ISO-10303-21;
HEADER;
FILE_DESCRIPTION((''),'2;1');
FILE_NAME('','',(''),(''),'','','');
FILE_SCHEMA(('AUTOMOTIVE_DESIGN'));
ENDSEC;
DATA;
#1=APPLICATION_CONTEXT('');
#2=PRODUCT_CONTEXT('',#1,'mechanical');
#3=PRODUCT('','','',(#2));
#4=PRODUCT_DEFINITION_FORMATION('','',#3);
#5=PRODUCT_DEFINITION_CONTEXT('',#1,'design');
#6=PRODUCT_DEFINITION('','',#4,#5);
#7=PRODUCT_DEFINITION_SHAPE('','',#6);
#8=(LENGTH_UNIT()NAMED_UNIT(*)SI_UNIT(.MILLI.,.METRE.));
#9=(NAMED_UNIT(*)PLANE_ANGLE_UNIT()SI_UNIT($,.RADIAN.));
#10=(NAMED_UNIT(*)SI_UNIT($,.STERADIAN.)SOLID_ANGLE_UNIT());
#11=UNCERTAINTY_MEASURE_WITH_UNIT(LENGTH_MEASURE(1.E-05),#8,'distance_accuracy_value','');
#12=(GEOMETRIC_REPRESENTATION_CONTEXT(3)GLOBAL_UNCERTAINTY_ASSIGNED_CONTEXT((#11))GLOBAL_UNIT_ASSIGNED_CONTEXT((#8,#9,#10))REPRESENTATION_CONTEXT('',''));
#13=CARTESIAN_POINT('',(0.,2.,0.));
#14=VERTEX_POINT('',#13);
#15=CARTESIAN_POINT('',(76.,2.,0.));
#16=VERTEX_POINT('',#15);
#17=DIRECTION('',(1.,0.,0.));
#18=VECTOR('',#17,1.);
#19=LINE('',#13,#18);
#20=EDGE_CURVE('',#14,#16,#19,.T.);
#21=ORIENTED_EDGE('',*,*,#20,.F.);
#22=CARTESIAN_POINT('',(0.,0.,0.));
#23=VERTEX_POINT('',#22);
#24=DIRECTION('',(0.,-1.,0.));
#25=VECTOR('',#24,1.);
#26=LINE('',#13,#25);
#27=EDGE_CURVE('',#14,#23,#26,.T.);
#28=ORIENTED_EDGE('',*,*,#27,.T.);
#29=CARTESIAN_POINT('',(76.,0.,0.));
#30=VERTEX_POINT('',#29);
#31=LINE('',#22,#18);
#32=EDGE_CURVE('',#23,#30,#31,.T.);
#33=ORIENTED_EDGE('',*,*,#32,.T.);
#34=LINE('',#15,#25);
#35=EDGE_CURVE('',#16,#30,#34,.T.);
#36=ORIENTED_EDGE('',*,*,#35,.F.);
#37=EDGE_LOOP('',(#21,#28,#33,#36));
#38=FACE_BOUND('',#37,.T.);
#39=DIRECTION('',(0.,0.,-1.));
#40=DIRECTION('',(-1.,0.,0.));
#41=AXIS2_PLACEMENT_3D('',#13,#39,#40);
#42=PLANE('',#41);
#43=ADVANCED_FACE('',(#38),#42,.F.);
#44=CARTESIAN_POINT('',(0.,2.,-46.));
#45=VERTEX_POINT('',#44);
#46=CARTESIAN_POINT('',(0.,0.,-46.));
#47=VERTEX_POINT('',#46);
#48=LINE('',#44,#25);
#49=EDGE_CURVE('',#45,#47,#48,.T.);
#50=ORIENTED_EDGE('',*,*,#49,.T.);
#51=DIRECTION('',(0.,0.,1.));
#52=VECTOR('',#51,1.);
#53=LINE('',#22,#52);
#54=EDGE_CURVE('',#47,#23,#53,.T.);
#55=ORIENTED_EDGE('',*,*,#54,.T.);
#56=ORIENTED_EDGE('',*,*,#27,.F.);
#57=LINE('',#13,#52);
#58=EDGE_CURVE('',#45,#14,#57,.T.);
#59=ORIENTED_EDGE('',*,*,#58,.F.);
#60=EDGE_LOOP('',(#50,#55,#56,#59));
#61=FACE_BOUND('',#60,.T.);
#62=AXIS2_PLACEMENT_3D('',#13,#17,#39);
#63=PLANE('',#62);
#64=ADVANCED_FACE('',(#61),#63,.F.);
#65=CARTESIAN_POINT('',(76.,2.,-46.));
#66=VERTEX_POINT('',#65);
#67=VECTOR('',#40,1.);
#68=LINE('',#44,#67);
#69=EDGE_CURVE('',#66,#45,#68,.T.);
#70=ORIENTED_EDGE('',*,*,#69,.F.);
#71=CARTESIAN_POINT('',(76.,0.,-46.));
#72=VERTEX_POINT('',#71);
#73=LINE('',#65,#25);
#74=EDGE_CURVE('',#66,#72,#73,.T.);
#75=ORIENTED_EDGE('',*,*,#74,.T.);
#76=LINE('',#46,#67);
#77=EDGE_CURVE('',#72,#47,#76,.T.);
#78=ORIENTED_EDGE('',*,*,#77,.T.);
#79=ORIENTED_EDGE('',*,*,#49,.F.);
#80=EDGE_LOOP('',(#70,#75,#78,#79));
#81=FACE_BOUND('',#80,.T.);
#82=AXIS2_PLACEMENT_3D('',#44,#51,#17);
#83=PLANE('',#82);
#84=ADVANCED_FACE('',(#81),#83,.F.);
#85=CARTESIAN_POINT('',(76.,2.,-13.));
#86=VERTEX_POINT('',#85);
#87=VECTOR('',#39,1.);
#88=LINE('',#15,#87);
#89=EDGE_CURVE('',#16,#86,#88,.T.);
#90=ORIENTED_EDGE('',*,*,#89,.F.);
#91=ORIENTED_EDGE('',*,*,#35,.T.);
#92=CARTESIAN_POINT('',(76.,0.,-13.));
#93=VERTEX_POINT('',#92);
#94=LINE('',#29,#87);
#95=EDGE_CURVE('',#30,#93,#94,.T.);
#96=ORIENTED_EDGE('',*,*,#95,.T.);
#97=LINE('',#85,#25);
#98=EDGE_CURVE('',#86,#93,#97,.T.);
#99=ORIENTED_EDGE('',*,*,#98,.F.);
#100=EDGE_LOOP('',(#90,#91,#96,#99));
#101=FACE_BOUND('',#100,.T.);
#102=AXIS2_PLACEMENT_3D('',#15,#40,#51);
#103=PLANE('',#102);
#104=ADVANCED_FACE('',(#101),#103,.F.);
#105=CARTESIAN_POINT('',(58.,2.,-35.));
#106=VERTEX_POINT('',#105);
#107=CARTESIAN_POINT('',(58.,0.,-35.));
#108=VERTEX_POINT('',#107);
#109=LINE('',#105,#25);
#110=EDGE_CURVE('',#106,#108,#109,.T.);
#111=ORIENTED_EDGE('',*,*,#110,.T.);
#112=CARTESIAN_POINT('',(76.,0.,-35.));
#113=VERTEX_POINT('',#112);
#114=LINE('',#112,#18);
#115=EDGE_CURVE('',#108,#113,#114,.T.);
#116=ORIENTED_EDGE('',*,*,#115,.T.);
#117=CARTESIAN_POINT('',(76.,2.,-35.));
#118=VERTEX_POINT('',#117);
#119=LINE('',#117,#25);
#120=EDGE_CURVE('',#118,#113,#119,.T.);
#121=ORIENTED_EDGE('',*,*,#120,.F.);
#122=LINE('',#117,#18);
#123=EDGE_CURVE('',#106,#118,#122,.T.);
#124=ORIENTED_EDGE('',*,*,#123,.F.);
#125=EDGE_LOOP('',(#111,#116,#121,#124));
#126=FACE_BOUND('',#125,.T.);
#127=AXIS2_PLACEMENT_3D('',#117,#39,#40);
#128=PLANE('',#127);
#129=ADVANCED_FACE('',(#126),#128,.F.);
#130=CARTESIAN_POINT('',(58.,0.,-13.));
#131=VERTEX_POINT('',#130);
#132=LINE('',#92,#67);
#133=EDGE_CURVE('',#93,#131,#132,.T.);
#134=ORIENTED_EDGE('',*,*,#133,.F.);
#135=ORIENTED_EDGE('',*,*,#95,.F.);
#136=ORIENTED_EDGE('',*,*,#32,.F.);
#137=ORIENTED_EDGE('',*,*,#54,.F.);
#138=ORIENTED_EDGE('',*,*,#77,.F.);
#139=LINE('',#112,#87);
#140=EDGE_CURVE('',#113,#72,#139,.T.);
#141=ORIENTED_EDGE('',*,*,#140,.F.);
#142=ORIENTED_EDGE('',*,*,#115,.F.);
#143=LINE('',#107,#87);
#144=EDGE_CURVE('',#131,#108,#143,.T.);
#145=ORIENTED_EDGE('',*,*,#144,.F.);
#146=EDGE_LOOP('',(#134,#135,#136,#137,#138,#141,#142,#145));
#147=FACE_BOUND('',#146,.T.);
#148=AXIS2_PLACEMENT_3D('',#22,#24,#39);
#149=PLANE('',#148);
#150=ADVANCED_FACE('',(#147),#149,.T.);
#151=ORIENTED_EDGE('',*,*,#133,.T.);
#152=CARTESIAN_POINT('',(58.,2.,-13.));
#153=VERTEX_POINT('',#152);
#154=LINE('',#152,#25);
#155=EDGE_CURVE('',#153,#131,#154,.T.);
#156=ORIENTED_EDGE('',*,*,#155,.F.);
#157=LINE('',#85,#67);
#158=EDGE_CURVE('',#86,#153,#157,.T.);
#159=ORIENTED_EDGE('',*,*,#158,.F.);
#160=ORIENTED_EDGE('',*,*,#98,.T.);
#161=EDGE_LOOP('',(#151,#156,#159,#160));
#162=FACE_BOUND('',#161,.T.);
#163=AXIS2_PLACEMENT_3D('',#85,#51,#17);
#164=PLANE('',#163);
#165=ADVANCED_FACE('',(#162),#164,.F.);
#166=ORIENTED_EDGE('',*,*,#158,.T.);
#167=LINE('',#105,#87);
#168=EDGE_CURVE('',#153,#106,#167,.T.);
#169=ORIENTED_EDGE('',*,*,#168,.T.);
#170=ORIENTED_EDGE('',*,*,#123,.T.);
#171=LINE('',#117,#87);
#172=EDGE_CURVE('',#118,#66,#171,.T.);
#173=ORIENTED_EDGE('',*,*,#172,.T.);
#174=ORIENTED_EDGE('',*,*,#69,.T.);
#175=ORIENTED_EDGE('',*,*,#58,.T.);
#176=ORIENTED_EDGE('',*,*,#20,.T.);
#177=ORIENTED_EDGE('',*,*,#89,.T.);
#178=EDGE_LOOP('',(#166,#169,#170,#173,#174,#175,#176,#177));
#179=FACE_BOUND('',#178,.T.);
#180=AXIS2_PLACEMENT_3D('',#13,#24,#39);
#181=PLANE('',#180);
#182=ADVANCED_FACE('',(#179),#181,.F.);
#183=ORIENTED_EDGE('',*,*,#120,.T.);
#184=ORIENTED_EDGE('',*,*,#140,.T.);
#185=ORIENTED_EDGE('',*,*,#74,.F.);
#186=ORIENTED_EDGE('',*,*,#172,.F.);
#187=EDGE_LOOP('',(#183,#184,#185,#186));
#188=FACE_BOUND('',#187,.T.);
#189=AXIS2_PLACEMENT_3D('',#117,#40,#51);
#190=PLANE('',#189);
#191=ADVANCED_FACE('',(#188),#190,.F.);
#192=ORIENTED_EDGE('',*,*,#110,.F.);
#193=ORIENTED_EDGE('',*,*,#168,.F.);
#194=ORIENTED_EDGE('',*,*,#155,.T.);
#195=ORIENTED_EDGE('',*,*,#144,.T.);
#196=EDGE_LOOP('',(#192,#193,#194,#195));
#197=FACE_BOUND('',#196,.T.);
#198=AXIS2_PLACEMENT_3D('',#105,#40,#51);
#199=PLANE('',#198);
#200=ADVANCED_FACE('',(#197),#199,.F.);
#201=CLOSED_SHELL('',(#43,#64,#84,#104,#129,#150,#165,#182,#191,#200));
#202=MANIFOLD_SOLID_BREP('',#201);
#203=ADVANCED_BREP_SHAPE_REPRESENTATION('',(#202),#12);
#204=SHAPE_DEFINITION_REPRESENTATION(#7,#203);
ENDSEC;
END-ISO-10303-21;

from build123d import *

# Parameters (mm, degrees)
BOSS_EXTRUDE1_DEPTH = 2


with BuildPart() as part:
    # Sketch1 → Boss-Extrude1 (new body)
    with BuildSketch(Plane(origin=(0, 0, 0), x_dir=(1, 0, 0), z_dir=(0, 1, 0))):
        Polygon((76, 35), (76, 46), (0, 46), (0, 0), (76, 0), (76, 13), (58, 13), (58, 35), align=None)
    extrude(amount=BOSS_EXTRUDE1_DEPTH)


solid = part.part
